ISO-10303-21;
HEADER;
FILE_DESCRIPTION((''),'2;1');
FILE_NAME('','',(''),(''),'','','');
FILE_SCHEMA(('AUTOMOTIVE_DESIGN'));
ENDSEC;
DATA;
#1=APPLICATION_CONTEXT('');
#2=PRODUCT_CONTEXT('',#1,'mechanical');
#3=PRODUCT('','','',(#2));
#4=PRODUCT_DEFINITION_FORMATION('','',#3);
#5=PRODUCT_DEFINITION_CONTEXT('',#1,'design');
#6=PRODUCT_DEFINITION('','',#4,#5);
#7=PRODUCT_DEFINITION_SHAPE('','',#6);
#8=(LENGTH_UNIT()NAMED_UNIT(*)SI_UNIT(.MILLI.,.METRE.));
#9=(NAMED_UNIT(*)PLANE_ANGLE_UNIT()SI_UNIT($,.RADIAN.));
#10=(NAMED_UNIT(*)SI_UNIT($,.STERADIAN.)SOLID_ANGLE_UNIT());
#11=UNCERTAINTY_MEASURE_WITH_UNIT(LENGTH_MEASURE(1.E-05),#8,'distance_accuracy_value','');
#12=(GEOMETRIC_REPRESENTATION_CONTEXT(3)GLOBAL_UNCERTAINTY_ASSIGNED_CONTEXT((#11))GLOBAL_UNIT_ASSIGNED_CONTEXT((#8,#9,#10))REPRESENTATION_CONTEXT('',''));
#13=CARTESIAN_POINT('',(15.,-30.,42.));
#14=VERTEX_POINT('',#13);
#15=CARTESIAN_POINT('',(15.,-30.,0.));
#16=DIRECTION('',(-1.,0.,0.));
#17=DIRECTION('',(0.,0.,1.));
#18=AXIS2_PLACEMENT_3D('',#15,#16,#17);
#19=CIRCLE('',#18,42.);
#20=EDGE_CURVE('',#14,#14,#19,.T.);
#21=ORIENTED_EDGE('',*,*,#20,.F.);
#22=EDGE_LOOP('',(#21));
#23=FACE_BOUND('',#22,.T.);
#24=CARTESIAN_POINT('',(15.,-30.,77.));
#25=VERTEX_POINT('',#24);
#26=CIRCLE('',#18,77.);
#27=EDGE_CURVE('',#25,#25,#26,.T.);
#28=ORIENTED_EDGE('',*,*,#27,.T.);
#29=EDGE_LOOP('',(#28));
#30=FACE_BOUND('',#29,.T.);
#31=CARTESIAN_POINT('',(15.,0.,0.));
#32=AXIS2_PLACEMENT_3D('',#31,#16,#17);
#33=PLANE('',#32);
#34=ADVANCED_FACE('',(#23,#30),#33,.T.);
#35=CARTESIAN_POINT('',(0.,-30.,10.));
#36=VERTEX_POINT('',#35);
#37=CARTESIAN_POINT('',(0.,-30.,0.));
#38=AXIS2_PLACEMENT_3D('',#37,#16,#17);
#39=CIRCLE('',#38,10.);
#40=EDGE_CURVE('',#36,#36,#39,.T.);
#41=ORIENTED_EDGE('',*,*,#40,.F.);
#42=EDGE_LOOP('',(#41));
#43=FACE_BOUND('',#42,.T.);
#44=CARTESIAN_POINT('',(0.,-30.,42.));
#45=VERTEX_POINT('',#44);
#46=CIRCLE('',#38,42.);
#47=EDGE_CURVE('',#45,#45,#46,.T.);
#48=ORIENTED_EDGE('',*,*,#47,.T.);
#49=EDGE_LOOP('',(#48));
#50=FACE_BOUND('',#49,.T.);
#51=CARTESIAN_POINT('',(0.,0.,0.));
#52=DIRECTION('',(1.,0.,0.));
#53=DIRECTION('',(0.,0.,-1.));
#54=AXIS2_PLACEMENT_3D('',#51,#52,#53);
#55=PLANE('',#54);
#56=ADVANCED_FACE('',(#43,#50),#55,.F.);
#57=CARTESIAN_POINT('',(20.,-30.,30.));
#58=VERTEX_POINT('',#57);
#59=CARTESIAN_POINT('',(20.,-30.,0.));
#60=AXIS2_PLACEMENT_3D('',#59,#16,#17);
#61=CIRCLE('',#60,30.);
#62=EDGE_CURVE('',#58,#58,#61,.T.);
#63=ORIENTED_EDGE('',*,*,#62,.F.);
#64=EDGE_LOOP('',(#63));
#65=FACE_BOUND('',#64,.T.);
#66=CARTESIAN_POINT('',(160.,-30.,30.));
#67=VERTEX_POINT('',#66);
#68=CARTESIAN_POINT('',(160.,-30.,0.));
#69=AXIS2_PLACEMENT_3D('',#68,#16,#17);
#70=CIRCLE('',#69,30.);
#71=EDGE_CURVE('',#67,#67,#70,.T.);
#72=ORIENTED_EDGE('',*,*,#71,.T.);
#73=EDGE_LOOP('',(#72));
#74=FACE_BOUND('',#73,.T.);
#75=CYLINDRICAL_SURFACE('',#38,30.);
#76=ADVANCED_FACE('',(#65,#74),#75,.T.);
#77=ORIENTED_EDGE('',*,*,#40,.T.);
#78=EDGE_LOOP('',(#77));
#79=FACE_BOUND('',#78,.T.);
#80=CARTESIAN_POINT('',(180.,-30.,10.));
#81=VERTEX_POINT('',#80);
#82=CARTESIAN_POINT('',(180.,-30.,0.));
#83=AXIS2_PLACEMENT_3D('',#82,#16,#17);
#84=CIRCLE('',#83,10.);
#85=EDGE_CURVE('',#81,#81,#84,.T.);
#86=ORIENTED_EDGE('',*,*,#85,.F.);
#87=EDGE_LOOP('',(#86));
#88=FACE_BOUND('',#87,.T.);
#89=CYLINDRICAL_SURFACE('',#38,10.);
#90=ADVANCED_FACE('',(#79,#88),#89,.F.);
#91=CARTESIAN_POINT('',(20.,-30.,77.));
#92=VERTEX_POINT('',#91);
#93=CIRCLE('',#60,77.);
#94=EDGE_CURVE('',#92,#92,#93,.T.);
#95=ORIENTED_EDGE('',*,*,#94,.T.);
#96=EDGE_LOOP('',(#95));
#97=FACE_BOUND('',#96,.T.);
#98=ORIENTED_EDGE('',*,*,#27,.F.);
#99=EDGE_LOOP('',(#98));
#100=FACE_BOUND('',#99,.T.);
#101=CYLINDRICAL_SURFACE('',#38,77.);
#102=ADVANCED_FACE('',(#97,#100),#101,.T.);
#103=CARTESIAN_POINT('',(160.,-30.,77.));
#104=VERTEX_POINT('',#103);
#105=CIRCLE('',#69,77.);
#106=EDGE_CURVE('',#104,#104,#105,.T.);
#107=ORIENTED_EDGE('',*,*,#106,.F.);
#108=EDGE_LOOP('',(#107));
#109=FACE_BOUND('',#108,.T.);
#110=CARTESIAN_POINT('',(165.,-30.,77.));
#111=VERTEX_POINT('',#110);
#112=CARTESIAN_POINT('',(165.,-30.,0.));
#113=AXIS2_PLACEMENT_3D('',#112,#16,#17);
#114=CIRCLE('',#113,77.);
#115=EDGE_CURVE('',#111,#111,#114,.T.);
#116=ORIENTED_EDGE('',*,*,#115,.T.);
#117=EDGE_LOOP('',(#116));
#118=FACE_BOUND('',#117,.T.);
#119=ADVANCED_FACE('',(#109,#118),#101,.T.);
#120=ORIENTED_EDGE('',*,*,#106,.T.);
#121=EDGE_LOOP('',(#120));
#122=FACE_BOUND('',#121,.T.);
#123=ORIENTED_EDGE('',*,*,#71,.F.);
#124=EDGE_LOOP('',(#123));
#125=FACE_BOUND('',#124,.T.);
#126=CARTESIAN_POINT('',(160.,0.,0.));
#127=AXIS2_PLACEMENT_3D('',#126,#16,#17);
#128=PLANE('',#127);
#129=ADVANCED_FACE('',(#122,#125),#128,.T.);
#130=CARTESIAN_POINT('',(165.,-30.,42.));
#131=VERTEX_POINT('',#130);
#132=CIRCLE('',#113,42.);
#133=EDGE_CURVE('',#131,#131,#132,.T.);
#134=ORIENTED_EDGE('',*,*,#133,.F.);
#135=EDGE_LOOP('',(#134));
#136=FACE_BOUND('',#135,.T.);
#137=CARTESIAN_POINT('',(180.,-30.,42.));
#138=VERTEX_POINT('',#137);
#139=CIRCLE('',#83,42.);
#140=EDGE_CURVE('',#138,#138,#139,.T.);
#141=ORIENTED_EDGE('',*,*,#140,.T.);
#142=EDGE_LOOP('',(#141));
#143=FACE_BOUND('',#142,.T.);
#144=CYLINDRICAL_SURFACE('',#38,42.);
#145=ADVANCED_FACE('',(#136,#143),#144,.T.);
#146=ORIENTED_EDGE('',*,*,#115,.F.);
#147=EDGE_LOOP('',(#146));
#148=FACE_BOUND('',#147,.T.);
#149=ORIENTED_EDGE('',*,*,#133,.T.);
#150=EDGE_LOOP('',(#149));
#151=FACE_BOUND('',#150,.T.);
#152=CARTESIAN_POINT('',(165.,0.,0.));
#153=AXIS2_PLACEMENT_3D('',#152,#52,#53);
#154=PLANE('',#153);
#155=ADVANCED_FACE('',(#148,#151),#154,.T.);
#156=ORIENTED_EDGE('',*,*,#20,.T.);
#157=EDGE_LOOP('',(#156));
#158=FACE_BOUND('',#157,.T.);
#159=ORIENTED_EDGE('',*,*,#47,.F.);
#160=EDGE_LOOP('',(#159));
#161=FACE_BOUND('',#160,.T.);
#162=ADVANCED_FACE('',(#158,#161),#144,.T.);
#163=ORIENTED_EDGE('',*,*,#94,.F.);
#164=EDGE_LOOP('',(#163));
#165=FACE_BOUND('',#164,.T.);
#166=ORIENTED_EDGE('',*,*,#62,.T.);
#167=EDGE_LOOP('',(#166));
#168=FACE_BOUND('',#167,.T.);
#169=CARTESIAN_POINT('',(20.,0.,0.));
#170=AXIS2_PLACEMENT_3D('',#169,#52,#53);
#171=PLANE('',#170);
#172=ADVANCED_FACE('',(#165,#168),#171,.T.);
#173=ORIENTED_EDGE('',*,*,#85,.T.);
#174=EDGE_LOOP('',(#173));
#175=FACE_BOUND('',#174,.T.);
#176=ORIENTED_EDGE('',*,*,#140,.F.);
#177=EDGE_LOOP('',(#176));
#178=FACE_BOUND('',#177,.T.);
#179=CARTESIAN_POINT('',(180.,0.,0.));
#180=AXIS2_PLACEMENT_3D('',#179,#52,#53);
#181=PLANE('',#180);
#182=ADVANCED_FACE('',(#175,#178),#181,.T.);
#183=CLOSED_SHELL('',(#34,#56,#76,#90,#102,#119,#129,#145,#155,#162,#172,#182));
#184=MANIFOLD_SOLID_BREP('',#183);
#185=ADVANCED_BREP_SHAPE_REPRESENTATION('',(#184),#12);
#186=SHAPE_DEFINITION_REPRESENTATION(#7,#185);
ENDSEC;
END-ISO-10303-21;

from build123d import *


with BuildPart() as part:
    # Esquisse1 → Révolution1 (revolve)
    with BuildSketch(Plane.XY, mode=Mode.PRIVATE) as r_volution1_sk:
        Polygon((180, 0), (160, 0), (160, 47), (165, 47), (165, 12), (180, 12), align=None)
        Polygon((20, 0), (0, 0), (0, -20), (180, -20), (180, 0), (160, 0), align=None)
        Polygon((20, 0), (0, 0), (0, 12), (15, 12), (15, 47), (20, 47), align=None)
    revolve(r_volution1_sk.sketch.rotate(Axis((0, -30, 0), (1, 0, 0)), 90), axis=Axis((0, -30, 0), (1, 0, 0)))


solid = part.part
